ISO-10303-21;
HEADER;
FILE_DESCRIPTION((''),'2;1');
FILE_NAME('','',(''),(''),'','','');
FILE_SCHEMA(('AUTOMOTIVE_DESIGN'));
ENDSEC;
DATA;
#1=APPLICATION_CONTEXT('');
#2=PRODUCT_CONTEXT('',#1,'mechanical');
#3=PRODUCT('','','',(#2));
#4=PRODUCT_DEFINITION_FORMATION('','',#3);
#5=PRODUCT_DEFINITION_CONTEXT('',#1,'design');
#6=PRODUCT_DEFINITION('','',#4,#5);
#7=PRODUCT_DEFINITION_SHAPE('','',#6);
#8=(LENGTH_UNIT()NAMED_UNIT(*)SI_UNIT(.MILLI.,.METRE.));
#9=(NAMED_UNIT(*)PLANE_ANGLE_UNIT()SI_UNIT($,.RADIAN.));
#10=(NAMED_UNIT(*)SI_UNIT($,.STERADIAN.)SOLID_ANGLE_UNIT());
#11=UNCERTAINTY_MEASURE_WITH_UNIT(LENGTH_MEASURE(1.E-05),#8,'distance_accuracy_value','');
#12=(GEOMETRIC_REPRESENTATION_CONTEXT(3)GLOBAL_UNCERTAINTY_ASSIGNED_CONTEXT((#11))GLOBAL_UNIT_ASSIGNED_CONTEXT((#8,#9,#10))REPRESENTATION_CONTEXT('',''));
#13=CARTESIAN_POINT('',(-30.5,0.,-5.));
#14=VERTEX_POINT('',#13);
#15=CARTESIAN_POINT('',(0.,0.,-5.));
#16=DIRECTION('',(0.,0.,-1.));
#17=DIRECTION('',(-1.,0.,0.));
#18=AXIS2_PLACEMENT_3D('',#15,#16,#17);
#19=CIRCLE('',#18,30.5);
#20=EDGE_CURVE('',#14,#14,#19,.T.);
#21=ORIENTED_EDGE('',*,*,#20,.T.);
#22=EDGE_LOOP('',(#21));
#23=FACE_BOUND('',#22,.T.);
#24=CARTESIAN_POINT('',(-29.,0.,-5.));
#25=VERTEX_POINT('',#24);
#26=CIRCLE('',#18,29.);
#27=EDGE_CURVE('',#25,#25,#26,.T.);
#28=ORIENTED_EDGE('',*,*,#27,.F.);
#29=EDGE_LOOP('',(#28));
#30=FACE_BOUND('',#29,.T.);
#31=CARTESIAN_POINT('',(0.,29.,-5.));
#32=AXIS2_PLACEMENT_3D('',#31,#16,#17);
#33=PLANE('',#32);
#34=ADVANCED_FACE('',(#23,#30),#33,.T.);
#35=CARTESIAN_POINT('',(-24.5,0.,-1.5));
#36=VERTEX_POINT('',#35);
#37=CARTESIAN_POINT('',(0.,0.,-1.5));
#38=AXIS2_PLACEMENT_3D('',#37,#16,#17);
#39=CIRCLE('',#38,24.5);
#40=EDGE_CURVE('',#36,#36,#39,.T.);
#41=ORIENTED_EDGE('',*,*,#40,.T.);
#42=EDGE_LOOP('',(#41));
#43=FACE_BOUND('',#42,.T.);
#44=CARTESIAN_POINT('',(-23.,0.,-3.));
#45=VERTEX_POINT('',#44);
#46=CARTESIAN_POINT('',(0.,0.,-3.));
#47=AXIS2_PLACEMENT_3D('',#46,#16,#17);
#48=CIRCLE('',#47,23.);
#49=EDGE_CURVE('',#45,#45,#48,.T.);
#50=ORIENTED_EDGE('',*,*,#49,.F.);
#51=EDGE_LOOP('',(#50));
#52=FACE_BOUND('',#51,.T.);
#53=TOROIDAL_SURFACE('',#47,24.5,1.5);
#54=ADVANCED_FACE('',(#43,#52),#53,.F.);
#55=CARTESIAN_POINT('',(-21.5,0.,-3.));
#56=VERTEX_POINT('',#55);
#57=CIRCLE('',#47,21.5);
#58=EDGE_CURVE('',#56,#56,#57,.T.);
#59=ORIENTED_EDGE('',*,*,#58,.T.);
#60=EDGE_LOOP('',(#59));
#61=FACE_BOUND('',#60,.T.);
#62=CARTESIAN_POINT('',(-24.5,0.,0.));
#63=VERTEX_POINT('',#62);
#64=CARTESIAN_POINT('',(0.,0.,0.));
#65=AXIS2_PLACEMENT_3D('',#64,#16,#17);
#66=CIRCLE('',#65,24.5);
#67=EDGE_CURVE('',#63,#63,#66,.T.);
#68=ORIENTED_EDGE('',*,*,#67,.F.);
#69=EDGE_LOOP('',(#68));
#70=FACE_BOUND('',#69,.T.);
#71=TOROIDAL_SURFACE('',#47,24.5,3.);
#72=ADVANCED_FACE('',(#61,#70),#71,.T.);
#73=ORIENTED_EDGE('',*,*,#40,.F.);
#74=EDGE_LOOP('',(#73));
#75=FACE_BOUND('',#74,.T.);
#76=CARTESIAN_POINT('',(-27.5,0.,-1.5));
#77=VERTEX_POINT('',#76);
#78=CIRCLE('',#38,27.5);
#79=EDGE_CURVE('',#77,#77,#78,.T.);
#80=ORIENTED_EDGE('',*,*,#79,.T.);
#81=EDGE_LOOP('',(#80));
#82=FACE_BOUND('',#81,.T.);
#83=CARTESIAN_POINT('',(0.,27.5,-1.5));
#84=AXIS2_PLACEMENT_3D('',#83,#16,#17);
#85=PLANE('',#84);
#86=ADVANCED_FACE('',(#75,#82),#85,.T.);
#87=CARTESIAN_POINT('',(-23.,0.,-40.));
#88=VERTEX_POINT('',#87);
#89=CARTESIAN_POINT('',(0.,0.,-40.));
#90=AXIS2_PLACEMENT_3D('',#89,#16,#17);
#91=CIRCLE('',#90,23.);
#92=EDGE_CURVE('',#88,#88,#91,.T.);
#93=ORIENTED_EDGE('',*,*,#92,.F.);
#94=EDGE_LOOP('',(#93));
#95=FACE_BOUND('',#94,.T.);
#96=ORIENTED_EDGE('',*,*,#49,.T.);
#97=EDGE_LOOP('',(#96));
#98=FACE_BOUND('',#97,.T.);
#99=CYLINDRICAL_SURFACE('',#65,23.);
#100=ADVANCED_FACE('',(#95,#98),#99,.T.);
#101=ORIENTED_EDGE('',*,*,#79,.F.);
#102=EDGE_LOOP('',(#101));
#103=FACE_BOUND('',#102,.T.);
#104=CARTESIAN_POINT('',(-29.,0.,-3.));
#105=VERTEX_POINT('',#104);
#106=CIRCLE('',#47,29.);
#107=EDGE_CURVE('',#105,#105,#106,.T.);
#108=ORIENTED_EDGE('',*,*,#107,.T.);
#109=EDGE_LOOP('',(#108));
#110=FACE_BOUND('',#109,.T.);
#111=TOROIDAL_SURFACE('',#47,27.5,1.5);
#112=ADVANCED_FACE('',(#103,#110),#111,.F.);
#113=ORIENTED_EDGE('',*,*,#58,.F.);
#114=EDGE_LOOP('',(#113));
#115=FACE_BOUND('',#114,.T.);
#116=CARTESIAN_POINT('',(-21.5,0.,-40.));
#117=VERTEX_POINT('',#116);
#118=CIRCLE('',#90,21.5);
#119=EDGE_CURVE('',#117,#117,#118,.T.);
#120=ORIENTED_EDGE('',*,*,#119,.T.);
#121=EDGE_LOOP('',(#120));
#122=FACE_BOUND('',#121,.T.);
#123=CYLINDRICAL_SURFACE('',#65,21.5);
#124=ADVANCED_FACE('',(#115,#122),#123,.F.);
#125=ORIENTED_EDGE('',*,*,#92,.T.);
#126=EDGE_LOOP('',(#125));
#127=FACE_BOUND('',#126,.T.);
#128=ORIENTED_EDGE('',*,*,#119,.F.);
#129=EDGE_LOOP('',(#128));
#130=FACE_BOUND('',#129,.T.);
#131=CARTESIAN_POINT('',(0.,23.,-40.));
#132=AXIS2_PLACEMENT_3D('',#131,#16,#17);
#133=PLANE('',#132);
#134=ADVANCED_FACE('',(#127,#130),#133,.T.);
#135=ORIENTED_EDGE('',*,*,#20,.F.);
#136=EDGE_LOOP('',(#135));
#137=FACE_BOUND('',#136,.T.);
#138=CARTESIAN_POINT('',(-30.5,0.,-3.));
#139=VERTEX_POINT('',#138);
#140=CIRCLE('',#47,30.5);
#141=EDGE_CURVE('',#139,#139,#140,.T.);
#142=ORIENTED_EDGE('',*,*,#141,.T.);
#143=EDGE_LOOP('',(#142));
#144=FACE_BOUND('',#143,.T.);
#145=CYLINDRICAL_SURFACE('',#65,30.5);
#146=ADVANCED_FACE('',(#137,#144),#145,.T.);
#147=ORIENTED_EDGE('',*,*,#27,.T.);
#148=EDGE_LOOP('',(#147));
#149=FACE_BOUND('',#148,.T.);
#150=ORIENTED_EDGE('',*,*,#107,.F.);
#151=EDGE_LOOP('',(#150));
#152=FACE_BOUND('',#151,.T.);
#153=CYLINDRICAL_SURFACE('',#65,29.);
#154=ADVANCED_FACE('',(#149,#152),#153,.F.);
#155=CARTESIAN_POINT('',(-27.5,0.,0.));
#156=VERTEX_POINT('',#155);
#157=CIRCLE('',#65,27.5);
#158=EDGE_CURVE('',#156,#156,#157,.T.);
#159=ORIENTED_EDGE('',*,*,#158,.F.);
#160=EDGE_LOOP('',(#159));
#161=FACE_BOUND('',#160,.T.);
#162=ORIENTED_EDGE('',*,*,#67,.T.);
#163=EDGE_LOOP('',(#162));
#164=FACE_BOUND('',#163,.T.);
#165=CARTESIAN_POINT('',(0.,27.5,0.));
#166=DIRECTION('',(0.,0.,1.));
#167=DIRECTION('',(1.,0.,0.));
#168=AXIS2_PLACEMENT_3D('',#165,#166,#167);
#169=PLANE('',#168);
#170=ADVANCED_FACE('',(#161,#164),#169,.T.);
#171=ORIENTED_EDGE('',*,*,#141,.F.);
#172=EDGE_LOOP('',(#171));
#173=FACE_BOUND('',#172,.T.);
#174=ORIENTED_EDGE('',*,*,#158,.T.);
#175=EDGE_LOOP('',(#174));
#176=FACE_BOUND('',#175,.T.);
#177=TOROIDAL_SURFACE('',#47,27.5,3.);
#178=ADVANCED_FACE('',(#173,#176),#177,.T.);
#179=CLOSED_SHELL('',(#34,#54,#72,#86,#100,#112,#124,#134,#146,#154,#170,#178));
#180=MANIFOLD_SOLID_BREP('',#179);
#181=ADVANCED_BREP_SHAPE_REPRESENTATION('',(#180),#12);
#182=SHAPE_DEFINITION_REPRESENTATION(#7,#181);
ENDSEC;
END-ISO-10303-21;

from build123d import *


with BuildPart() as part:
    # Esboço1 → Revolução1 (revolve)
    with BuildSketch(Plane(origin=(0, 0, 0), x_dir=(0, 0, -1), z_dir=(1, 0, 0)), mode=Mode.PRIVATE) as revolu_o1_sk:
        with BuildLine():
            Line((5, 30.5), (3, 30.5))
            ThreePointArc((3, 30.5), (0.878679656, 29.621320344), (0, 27.5))
            Line((0, 27.5), (0, 24.5))
            ThreePointArc((0, 24.5), (0.878679656, 22.378679656), (3, 21.5))
            Line((3, 21.5), (40, 21.5))
            Line((40, 21.5), (40, 23))
            Line((40, 23), (3, 23))
            ThreePointArc((3, 23), (1.939339828, 23.439339828), (1.5, 24.5))
            Line((1.5, 24.5), (1.5, 27.5))
            ThreePointArc((1.5, 27.5), (1.939339828, 28.560660172), (3, 29))
            Line((3, 29), (5, 29))
            Line((5, 29), (5, 30.5))
        make_face()
    revolve(revolu_o1_sk.sketch.rotate(Axis((0, 0, 0), (0, 0, 1)), 90), axis=Axis((0, 0, 0), (0, 0, 1)))


solid = part.part
